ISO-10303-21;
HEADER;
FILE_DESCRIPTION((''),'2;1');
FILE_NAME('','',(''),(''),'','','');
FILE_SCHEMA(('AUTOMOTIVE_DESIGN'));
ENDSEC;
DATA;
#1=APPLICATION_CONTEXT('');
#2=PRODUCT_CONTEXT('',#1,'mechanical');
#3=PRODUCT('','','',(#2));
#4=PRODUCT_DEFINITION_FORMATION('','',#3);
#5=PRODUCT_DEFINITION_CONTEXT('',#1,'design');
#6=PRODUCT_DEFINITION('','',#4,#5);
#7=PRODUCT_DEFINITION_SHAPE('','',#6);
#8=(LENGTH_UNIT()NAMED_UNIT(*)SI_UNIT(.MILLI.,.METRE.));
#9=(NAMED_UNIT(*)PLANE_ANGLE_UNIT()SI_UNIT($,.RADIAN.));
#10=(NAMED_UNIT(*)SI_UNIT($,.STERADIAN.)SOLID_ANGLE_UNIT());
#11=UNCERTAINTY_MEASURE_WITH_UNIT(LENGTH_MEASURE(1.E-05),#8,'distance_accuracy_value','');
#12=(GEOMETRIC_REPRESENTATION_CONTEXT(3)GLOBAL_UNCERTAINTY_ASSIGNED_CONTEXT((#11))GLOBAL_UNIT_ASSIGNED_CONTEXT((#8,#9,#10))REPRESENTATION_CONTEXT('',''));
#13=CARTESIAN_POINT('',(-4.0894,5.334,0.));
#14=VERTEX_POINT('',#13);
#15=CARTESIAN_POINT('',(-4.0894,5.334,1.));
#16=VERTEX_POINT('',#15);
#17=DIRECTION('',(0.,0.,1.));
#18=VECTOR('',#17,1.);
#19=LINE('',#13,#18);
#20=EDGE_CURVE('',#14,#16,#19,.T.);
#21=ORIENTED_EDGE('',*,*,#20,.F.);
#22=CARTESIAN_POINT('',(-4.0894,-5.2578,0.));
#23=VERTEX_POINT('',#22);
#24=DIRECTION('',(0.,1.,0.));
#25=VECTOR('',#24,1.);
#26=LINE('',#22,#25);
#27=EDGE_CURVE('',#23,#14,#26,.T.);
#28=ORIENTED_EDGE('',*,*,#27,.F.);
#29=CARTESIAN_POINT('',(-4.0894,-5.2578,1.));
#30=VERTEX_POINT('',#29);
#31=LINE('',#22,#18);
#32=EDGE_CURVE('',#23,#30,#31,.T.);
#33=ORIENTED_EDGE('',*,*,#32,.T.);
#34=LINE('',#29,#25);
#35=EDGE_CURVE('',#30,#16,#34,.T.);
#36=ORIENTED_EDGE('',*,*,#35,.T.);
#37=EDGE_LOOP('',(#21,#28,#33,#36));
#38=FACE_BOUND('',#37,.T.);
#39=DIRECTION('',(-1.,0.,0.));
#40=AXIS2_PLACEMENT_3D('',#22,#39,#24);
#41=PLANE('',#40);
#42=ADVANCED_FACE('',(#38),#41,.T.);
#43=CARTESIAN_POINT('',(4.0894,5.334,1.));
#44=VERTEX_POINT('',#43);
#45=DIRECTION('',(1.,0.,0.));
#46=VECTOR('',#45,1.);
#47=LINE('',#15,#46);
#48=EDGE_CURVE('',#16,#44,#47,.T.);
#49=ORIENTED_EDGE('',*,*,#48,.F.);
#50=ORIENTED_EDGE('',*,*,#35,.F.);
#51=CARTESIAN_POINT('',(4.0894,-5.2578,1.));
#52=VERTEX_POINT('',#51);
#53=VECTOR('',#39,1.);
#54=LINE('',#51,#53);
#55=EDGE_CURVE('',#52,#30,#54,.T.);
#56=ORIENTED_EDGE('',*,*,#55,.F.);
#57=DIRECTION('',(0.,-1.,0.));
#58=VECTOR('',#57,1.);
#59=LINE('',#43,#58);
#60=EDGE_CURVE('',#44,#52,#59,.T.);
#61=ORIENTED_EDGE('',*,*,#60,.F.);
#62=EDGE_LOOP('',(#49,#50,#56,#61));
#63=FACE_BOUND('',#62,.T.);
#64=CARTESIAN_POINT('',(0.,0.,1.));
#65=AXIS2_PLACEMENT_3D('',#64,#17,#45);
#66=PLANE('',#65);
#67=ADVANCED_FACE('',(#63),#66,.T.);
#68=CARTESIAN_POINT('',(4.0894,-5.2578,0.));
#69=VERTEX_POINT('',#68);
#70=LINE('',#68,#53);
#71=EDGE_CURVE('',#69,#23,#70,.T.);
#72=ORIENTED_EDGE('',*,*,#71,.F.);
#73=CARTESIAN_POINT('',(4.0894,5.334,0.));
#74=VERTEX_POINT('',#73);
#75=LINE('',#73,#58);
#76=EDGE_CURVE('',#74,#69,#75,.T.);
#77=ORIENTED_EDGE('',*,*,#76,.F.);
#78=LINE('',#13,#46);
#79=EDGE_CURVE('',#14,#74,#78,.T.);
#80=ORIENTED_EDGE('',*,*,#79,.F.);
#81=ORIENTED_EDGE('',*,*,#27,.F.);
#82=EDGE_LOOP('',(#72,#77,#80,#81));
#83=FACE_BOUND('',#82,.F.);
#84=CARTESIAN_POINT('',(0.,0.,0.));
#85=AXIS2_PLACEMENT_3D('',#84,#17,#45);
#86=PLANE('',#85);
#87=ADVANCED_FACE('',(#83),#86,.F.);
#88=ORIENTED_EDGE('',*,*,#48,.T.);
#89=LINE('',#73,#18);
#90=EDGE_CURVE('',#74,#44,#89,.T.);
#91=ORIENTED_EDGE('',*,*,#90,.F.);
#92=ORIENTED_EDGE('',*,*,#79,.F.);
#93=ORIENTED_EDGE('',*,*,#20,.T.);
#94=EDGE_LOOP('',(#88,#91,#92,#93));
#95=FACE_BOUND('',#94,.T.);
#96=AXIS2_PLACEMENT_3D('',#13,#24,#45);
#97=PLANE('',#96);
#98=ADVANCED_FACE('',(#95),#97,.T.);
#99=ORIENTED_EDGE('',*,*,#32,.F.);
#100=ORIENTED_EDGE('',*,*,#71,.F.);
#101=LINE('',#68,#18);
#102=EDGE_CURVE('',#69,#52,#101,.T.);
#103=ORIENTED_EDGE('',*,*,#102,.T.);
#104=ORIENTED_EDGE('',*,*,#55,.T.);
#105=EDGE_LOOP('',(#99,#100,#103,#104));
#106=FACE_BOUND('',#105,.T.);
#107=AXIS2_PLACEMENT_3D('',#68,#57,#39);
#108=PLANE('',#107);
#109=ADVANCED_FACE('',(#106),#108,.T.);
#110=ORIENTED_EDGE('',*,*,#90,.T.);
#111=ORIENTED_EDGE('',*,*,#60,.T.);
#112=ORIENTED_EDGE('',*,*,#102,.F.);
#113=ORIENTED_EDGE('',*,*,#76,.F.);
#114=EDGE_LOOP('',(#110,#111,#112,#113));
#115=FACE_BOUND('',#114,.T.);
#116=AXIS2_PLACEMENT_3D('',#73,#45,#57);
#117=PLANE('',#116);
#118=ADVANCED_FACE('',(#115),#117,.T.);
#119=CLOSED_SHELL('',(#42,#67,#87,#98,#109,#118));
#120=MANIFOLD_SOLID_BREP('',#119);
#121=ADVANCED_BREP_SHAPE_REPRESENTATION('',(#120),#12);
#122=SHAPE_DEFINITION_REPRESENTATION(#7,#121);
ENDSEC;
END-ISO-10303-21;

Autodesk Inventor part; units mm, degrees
ref_plane "YZ Plane" through (0, 0, 0) normal (1, 0, 0) x (0, 1, 0)
ref_plane "XZ Plane" through (0, 0, 0) normal (0, 1, 0) x (-1, 0, 0)
ref_plane "XY Plane" through (0, 0, 0) normal (0, 0, 1) x (1, 0, 0)
sketch "SOP65P780X200-28N, ADS1256IDBT_5" plane through (0, 0, 0) normal (0, 0, 1) x (1, 0, 0)
  line L0 (-4.0894, 5.334) -> (4.0894, 5.334)
  line L1 (4.0894, 5.334) -> (4.0894, -5.2578)
  line L2 (4.0894, -5.2578) -> (-4.0894, -5.2578)
  line L3 (-4.0894, -5.2578) -> (-4.0894, 5.334)
extrude "Extrusion1" add sketch "SOP65P780X200-28N, ADS1256IDBT_5" along normal blind 1
properties part number "ADS1256IDBT"
